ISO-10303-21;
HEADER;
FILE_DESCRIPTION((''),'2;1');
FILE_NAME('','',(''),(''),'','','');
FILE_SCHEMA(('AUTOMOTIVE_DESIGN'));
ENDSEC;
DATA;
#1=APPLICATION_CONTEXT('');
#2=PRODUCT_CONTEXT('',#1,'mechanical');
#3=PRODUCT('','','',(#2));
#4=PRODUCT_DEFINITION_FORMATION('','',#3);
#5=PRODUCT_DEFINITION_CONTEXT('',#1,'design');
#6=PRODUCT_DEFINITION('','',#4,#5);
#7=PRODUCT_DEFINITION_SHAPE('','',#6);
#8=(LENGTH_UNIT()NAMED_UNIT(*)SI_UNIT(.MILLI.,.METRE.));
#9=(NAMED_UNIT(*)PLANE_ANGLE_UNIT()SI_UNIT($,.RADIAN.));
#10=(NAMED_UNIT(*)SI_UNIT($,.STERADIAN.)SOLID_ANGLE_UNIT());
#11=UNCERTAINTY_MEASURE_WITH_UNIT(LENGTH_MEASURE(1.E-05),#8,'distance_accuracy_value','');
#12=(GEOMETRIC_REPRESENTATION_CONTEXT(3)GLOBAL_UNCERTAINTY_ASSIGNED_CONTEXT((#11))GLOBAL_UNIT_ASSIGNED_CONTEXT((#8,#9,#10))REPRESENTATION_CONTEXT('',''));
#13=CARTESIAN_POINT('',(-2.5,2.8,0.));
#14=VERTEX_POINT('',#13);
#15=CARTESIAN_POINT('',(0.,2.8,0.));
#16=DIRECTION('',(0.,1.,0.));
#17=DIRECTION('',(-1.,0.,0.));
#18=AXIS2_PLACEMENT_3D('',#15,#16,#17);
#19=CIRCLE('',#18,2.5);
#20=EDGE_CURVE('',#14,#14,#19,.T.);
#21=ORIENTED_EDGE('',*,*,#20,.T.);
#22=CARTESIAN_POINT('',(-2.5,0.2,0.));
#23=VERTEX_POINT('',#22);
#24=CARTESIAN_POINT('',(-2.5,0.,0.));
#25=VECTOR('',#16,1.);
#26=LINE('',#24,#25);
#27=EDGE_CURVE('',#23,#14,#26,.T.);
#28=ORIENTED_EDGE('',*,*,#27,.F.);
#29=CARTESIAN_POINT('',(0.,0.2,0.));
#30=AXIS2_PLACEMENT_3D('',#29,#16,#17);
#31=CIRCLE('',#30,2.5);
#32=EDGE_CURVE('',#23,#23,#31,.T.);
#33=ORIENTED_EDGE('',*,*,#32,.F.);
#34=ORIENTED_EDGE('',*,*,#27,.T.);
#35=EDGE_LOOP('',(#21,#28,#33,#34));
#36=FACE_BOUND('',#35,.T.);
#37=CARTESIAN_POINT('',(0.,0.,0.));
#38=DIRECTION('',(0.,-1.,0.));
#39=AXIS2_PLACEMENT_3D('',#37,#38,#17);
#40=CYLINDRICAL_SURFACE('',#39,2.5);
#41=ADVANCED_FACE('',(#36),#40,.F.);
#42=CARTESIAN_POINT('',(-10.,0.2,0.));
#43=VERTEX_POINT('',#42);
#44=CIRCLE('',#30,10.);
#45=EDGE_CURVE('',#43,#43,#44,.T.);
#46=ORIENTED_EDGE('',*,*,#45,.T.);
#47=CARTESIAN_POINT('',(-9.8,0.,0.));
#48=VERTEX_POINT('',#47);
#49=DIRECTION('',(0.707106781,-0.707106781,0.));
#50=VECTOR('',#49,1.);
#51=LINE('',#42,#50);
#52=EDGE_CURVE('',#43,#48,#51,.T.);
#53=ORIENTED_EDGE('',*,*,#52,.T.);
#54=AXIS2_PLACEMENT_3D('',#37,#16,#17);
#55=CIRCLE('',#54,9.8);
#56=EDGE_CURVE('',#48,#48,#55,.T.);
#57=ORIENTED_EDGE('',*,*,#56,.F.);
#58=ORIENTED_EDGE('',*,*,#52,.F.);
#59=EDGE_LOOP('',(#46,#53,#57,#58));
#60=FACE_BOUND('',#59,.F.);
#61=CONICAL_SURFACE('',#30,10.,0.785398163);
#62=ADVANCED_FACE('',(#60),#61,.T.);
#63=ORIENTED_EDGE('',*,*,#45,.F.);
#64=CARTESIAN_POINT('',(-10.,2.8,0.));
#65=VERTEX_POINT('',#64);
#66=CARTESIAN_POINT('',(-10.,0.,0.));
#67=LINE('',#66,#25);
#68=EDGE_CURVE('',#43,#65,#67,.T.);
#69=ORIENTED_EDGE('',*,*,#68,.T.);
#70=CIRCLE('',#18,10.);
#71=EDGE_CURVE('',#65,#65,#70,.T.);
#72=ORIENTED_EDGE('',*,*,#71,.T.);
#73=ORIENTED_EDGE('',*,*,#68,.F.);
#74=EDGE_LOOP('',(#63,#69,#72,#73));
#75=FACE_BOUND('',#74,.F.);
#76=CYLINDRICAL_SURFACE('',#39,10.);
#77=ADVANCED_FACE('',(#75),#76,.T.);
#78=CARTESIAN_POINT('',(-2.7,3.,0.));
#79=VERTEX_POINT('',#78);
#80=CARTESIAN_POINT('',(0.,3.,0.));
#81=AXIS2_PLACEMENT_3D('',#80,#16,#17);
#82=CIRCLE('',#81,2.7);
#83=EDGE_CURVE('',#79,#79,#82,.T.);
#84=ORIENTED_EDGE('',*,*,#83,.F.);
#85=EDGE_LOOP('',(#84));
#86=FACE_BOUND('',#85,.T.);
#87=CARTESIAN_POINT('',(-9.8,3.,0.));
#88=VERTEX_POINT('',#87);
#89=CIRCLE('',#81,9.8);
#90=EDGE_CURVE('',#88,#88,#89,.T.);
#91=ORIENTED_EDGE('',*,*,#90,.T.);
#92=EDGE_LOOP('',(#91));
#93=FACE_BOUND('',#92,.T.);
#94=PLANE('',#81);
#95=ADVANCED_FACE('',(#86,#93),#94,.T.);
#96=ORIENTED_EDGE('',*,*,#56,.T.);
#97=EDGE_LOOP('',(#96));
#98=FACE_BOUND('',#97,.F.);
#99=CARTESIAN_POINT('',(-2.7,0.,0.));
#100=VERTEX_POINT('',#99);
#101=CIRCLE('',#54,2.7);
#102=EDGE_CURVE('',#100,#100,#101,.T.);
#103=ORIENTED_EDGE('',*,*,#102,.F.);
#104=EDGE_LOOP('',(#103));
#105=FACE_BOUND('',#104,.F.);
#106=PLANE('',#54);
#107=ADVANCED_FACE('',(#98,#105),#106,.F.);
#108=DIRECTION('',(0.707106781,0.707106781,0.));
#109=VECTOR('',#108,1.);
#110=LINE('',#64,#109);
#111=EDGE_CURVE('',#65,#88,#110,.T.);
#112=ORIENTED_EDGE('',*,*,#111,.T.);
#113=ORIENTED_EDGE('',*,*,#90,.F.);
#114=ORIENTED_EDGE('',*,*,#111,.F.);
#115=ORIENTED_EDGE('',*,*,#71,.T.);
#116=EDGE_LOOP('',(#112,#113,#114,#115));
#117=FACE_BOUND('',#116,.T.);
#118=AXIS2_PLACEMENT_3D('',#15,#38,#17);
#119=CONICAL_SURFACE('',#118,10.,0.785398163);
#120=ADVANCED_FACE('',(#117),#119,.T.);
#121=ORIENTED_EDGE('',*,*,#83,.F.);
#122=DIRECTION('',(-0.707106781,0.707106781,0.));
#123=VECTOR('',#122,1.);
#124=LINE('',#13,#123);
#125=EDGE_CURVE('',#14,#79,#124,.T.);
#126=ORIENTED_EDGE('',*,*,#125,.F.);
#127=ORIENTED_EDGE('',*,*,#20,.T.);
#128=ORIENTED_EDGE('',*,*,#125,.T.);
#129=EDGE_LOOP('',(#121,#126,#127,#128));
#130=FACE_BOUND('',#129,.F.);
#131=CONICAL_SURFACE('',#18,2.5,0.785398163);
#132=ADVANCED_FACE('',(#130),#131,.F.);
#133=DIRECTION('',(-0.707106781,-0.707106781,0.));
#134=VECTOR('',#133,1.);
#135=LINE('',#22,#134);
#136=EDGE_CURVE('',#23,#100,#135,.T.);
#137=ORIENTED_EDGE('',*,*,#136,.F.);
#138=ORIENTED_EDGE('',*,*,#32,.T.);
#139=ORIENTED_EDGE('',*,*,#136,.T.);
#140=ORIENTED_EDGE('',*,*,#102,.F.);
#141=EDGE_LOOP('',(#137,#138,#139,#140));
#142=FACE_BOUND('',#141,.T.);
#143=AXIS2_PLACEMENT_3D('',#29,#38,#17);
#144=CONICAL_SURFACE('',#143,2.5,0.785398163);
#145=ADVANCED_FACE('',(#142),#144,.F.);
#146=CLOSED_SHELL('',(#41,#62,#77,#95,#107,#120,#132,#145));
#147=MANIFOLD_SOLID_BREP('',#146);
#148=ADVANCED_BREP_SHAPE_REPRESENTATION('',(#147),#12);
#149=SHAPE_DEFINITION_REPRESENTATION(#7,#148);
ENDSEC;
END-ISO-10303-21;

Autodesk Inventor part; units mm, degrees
ref_plane "YZ Plane" through (0, 0, 0) normal (1, 0, 0) x (0, 1, 0)
ref_plane "XZ Plane" through (0, 0, 0) normal (0, 1, 0) x (-1, 0, 0)
ref_plane "XY Plane" through (0, 0, 0) normal (0, 0, 1) x (1, 0, 0)
sketch "Sketch1" plane through (0, 0, 0) normal (0, 1, 0) x (-1, 0, 0)
  circle A0 centre (0, 0) radius 2.5
  circle A1 centre (0, 0) radius 10
  dimension "d0" = 5
  dimension "d5" = 20
extrude "Extrusion2" add sketch "Sketch1" along normal blind 3
chamfer "Chamfer1" distance 0.2 angle 45 4 edges at (10, 3, 0) (10, 0, 0) (2.5, 0, 0) (2.5, 3, 0)
properties part number "Magnet"
